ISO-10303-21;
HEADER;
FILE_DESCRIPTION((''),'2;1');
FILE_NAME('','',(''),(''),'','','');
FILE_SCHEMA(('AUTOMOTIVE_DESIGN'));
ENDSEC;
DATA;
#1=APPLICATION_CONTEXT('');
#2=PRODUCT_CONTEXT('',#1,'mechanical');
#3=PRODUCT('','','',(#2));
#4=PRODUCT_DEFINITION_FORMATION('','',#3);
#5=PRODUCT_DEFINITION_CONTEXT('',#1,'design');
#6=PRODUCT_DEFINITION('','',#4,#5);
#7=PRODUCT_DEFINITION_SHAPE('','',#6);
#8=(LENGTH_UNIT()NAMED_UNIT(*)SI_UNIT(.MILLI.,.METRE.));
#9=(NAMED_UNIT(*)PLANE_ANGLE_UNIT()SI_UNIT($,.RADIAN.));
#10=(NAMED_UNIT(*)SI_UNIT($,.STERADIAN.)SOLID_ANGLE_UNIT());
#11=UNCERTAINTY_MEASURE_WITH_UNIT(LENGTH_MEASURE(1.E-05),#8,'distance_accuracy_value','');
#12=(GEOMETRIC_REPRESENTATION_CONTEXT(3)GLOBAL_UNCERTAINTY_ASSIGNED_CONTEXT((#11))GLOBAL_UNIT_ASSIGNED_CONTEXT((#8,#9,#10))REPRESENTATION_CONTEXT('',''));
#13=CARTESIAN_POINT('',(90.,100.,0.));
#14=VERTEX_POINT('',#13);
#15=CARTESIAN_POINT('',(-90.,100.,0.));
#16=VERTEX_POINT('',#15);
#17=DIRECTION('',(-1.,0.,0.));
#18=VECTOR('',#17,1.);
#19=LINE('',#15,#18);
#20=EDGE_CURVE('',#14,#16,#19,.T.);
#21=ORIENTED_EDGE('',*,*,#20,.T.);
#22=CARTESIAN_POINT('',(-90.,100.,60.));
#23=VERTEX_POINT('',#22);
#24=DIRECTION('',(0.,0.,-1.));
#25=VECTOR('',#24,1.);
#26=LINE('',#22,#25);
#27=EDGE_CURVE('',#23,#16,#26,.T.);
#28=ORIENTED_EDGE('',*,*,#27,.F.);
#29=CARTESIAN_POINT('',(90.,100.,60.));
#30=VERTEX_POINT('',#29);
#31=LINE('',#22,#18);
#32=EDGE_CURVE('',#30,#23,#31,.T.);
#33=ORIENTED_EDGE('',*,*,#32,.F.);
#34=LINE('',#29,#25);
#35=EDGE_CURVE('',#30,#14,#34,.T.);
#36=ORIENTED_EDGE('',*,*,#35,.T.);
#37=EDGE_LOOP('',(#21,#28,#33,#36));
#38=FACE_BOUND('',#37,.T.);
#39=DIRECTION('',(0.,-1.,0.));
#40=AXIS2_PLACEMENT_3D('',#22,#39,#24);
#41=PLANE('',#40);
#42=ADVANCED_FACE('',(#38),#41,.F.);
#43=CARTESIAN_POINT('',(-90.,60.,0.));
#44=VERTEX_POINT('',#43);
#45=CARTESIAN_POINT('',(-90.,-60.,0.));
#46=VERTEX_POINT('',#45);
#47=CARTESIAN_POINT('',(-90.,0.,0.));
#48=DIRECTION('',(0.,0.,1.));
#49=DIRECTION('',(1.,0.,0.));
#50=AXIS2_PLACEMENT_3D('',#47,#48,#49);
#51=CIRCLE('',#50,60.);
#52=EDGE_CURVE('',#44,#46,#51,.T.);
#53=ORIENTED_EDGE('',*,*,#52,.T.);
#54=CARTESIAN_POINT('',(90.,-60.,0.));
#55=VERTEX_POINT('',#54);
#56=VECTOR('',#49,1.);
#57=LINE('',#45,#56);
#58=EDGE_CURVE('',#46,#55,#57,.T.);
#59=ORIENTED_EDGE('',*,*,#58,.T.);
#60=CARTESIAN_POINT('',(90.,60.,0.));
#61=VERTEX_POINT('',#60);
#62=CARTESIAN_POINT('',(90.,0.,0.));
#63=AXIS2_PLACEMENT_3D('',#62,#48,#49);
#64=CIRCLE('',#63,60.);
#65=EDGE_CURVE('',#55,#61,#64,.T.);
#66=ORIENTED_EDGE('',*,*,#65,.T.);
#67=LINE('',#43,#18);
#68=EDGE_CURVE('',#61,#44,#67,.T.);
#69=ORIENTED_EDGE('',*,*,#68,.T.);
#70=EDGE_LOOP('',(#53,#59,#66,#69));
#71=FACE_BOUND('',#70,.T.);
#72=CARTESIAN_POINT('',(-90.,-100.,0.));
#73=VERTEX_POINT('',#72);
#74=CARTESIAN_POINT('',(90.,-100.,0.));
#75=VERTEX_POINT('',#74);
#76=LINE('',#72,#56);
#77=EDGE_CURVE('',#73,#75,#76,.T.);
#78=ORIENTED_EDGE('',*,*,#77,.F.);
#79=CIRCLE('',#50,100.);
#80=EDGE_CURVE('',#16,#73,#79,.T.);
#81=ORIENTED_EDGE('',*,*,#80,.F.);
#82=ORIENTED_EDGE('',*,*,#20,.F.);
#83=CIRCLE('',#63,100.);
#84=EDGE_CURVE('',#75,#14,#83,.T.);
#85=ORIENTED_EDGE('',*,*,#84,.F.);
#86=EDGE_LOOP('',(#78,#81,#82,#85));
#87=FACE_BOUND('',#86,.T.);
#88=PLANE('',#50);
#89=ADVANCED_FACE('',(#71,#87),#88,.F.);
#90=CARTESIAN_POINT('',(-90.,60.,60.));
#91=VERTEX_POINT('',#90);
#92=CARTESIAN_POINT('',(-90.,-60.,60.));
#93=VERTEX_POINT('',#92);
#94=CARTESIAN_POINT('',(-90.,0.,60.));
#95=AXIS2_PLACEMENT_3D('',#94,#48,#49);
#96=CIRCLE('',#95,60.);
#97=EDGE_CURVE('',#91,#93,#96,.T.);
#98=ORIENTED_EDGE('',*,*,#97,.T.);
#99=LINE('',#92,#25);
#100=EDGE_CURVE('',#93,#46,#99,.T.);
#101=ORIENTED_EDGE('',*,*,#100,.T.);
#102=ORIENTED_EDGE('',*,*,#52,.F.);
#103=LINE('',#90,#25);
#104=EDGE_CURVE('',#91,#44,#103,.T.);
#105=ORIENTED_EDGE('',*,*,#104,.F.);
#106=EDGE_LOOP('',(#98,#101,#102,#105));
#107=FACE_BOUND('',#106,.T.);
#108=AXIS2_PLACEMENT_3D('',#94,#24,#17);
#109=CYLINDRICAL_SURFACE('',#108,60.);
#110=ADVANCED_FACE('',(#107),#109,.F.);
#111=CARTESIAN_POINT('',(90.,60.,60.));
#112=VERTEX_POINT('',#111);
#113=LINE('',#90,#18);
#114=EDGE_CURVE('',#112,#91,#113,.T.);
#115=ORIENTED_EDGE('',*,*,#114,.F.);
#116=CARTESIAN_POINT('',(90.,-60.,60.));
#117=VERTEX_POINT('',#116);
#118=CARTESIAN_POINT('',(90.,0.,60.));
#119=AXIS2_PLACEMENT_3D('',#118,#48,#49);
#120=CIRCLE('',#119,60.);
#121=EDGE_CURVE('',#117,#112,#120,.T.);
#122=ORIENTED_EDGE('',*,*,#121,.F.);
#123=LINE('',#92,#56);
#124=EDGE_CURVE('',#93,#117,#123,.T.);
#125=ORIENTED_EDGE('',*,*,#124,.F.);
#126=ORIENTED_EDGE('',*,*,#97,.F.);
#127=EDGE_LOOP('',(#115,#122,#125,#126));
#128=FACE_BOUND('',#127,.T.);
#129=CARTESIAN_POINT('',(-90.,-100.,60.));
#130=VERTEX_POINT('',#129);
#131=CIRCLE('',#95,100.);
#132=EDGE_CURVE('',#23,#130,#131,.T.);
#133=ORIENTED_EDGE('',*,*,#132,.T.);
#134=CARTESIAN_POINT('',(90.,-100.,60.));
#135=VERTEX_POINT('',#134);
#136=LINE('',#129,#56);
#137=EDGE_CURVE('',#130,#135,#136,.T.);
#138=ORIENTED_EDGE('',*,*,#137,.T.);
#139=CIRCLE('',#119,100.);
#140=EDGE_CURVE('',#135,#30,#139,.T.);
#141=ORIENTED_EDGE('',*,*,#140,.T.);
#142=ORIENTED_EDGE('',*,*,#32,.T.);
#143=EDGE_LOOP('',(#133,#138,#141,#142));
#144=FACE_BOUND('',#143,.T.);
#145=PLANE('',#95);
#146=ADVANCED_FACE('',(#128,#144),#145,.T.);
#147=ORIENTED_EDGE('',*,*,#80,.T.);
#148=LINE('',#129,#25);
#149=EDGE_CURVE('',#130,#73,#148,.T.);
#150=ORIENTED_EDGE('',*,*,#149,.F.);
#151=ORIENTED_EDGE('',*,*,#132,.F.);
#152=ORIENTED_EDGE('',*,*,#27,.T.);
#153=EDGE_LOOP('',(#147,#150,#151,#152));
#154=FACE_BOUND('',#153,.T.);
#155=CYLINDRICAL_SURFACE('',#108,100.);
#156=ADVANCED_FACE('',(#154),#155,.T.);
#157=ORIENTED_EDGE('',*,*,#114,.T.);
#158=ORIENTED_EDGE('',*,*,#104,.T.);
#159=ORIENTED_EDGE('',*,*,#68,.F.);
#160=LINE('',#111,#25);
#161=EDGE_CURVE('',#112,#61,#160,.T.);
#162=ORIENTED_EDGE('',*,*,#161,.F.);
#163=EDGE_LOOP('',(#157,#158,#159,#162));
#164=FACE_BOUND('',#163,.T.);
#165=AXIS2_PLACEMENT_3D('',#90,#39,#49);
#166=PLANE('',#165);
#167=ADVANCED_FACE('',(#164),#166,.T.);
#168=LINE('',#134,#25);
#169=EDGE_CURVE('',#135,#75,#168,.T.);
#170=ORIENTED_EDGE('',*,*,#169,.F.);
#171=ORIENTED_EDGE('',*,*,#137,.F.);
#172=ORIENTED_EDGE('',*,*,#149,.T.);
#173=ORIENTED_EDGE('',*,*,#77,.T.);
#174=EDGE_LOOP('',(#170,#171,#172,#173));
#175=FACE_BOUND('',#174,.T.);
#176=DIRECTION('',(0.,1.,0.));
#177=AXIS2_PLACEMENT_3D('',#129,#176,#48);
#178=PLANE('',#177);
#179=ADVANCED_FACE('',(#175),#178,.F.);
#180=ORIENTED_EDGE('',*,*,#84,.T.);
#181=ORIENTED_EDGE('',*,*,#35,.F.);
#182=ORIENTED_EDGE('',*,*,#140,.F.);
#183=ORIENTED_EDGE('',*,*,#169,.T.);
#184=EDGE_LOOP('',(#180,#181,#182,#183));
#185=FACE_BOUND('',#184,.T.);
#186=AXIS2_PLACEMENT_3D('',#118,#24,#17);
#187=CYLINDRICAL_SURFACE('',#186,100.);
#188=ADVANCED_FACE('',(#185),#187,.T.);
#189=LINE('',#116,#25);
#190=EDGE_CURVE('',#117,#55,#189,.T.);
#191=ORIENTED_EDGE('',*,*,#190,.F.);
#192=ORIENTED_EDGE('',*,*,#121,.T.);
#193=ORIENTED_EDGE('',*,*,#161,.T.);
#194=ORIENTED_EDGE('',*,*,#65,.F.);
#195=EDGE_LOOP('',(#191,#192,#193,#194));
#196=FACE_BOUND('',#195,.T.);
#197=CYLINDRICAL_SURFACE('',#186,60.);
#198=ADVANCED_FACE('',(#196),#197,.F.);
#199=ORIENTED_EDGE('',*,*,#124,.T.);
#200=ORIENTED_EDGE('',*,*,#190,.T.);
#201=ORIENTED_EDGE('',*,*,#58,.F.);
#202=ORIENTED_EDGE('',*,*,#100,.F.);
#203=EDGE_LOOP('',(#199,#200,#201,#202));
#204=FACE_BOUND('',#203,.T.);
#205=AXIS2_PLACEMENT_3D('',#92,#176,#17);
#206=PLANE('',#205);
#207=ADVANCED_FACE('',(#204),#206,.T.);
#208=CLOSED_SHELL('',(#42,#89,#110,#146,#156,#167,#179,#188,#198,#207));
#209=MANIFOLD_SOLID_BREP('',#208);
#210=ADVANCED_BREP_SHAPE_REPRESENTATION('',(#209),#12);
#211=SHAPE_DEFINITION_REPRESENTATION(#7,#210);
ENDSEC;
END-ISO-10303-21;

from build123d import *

# Parameters (mm, degrees)
BOSS_EXTRUDE1_DEPTH = 60


with BuildPart() as part:
    # Sketch2 → Boss-Extrude1 (new body)
    with BuildSketch(Plane.XY):
        with BuildLine():
            Line((-90, 100), (90, 100))
            ThreePointArc((90, 100), (190, 0), (90, -100))
            Line((90, -100), (-90, -100))
            ThreePointArc((-90, -100), (-190, 0), (-90, 100))
        make_face()
        with BuildLine():
            Line((-90, 60), (90, 60))
            ThreePointArc((90, 60), (150, 0), (90, -60))
            Line((90, -60), (-90, -60))
            ThreePointArc((-90, -60), (-150, 0), (-90, 60))
        make_face(mode=Mode.SUBTRACT)
    extrude(amount=BOSS_EXTRUDE1_DEPTH)


solid = part.part
